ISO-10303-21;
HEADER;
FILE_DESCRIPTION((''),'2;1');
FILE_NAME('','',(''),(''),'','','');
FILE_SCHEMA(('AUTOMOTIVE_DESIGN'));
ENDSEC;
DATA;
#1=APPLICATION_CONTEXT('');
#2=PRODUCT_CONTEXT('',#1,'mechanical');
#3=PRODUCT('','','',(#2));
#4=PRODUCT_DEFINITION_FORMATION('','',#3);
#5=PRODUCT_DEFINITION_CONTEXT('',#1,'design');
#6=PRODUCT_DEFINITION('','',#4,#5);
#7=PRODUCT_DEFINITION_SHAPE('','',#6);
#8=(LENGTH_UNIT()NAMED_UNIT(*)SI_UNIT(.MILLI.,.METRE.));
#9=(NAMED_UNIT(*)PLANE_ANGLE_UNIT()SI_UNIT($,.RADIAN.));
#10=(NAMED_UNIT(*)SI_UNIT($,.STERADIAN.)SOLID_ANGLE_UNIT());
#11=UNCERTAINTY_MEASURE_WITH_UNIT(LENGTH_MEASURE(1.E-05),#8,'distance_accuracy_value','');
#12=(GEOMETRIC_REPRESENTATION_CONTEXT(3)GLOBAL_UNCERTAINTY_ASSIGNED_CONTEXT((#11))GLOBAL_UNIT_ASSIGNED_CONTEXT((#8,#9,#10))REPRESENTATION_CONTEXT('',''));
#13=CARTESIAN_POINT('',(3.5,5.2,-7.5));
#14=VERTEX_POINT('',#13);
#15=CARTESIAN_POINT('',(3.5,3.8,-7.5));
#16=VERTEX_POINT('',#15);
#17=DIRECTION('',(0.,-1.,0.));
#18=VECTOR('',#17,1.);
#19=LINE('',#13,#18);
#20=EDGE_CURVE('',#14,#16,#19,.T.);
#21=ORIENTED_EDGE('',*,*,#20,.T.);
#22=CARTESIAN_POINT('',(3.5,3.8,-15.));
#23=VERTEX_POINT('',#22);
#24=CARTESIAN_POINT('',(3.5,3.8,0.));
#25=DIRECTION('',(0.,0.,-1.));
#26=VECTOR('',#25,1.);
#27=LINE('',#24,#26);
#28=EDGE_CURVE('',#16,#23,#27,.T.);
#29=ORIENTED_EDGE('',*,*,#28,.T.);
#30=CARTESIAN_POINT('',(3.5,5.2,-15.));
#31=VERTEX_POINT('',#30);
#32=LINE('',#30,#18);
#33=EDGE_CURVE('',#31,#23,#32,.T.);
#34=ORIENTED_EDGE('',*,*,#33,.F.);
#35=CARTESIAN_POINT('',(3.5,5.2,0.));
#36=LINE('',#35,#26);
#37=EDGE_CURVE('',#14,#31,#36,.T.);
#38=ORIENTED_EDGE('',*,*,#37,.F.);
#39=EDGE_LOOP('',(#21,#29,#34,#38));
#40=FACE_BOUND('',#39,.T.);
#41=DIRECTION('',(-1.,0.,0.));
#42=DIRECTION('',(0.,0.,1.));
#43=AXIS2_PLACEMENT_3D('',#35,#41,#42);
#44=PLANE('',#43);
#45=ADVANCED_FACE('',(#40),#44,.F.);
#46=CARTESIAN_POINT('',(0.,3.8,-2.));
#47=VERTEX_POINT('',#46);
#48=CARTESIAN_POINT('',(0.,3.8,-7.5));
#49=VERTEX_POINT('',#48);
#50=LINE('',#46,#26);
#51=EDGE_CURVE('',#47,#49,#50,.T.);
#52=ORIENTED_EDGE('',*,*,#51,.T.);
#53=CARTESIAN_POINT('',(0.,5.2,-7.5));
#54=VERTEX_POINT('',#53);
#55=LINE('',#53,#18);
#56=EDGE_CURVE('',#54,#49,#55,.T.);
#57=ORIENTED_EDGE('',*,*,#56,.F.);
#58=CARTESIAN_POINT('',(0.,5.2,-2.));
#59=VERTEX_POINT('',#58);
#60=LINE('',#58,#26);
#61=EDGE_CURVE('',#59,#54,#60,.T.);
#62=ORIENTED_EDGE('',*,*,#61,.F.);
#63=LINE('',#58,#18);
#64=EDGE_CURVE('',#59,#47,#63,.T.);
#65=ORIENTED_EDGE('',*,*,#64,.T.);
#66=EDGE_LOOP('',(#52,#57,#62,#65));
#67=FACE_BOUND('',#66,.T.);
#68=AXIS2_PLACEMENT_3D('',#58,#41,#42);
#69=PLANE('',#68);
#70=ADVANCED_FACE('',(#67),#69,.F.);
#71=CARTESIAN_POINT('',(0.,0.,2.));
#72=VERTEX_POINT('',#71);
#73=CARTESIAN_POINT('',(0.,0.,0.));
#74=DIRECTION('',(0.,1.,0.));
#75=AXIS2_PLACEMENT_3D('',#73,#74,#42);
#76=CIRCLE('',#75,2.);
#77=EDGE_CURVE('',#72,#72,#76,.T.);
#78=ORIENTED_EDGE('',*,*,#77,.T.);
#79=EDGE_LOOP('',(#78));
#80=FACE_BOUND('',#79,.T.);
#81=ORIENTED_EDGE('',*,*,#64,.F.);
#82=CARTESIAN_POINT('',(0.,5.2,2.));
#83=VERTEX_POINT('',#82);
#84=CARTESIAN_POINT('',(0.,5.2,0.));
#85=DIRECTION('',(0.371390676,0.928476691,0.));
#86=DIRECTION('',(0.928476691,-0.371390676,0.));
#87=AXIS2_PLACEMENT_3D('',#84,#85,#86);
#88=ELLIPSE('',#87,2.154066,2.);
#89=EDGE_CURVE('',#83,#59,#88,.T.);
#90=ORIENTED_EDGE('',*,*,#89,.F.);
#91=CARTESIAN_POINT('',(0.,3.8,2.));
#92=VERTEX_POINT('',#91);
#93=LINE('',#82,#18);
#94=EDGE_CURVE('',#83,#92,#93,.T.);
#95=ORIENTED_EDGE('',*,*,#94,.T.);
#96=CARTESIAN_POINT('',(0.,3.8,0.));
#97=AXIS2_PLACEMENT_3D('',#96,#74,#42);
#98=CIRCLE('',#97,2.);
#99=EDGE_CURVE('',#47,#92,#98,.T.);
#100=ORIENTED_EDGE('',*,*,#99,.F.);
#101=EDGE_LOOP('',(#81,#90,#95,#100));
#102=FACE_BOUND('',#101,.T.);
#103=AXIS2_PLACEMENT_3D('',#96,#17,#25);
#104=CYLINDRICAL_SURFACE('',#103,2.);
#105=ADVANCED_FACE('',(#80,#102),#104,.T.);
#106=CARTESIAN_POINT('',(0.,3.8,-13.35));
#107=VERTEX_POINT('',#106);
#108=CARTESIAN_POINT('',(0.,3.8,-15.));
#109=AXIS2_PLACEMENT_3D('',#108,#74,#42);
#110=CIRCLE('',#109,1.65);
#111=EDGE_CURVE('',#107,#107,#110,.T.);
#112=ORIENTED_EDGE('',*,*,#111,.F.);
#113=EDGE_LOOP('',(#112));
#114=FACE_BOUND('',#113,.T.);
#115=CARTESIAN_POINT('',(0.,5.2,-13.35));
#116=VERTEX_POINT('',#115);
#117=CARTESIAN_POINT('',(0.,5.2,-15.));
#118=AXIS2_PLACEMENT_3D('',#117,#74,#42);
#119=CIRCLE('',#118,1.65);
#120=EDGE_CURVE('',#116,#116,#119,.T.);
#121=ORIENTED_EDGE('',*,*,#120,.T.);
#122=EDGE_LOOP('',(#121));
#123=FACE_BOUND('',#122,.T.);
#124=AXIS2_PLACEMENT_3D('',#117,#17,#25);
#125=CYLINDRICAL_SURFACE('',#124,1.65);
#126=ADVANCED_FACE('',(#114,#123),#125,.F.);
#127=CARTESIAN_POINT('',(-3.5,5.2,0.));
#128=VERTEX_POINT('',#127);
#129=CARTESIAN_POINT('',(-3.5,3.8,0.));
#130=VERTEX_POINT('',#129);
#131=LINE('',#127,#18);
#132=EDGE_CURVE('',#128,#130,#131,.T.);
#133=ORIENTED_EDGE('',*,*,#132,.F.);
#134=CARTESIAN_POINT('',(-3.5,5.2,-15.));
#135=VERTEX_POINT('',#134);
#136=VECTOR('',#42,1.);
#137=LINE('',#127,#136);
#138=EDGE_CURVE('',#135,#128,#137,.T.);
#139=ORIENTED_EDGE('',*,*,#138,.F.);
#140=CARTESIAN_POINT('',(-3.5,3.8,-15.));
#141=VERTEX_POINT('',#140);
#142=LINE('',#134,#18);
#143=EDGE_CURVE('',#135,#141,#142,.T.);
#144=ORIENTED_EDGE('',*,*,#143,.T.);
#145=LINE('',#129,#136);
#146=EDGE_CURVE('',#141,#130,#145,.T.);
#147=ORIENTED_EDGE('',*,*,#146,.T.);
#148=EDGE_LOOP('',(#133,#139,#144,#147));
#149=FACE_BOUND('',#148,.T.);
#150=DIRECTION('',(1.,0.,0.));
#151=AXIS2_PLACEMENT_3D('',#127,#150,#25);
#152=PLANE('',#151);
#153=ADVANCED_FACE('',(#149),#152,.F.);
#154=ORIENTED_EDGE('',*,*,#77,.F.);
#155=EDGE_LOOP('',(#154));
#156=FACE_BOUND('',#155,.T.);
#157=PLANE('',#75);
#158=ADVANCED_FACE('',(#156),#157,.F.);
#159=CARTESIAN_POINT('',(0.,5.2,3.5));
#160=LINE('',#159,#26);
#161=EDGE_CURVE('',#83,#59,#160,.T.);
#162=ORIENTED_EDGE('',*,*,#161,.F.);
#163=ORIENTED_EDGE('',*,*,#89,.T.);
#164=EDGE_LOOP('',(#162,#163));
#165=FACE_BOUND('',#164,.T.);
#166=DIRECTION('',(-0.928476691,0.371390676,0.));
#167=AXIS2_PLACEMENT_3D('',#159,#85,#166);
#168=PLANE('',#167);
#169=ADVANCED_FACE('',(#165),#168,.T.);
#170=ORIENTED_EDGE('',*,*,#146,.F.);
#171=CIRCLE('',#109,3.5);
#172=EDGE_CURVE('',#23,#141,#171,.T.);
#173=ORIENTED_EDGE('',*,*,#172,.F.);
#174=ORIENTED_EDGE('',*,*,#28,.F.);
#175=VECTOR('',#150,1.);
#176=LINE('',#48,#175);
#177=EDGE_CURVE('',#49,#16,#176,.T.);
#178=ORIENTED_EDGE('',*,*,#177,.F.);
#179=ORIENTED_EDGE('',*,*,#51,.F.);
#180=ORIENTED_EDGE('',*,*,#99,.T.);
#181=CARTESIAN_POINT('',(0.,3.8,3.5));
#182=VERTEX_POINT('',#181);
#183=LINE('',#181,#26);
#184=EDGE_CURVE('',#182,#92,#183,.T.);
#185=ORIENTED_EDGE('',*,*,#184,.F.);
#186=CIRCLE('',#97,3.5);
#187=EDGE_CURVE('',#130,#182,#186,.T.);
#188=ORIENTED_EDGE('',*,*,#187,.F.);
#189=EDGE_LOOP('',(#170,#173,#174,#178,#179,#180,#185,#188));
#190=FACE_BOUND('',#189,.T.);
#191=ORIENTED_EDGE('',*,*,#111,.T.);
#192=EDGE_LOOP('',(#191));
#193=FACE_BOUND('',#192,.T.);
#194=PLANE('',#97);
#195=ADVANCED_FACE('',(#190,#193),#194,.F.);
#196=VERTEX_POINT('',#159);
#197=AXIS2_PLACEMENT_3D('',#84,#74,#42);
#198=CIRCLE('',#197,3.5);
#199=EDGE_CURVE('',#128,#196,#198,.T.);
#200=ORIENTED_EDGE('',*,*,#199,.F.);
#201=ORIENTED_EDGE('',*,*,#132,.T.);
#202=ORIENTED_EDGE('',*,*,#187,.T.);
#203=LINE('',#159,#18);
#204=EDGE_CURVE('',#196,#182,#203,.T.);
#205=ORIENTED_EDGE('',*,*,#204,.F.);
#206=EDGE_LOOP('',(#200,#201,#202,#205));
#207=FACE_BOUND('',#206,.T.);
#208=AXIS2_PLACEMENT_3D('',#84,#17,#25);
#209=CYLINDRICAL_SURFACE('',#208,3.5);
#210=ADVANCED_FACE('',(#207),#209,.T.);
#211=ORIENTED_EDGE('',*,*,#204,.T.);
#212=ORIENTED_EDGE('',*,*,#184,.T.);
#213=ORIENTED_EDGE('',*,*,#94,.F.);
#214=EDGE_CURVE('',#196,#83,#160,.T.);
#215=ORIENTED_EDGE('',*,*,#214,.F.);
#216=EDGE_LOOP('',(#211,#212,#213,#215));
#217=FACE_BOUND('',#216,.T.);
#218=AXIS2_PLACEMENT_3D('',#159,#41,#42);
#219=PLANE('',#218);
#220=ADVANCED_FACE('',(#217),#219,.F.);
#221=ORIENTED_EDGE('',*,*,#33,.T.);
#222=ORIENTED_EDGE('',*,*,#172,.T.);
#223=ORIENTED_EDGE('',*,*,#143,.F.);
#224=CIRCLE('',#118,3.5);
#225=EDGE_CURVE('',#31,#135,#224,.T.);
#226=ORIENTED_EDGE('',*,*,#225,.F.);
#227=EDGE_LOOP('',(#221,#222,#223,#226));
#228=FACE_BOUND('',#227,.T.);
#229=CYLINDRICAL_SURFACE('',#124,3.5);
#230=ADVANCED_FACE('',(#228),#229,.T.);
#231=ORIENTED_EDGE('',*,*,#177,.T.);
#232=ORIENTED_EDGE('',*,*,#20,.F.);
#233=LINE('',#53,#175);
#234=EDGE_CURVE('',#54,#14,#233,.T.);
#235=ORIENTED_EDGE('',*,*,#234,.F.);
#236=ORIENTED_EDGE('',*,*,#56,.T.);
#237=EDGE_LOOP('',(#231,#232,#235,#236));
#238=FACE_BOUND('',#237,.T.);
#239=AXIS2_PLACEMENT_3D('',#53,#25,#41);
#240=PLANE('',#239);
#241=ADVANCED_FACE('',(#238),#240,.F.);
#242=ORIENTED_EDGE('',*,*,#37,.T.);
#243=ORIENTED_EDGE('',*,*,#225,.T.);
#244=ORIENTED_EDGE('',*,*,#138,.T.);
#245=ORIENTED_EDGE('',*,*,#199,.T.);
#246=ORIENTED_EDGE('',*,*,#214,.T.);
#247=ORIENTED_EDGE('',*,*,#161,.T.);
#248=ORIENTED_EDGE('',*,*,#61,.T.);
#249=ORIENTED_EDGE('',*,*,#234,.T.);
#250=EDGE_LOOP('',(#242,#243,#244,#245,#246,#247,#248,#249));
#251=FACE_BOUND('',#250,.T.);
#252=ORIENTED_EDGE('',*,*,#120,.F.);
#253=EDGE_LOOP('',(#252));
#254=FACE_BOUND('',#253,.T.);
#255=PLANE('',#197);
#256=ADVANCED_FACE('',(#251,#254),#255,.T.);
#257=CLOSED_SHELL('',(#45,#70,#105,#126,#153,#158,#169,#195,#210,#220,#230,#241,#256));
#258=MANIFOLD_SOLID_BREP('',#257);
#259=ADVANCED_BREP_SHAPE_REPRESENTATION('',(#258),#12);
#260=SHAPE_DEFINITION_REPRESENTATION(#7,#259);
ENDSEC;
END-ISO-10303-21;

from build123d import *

# Parameters (mm, degrees)
SKETCH_1_R          = 2
EXTRUDE_1_DEPTH     = 3.8
SKETCH_2_R          = 1.65
EXTRUDE_2_DEPTH     = 1.4
CUT_EXTRUDE_1_DEPTH = 20.207810911
CUT_EXTRUDE_2_DEPTH = 13.660568708


with BuildPart() as part:
    # 草图1 → 凸台-拉伸1 (new body)
    with BuildSketch(Plane(origin=(0, 0, 0), x_dir=(1, 0, 0), z_dir=(0, 1, 0))):
        with Locations(Location((0, 0, 0), (0, 0, 90))):
            Circle(SKETCH_1_R)
    extrude(amount=EXTRUDE_1_DEPTH)

    # 草图2 → 凸台-拉伸2 (add)
    with BuildSketch(Plane(origin=(0, 3.8, 0), x_dir=(1, 0, 0), z_dir=(0, 1, 0))):
        with BuildLine():
            Line((-3.5, 0), (-3.5, 15))
            ThreePointArc((-3.5, 15), (0, 18.5), (3.5, 15))
            Line((3.5, 15), (3.5, 0))
            ThreePointArc((3.5, 0), (0, -3.5), (-3.5, 0))
        make_face()
        with Locations(Location((0, 15, 0), (0, 0, 270))):
            Circle(SKETCH_2_R, mode=Mode.SUBTRACT)
    extrude(amount=EXTRUDE_2_DEPTH)

    # 草图3 → 切除-拉伸1 (cut, through all)
    with BuildSketch(Plane.XZ.offset(-3.8)):
        with BuildLine():
            Line((0, 3.5), (0, 2))
            ThreePointArc((0, 2), (2, 0), (0, -2))
            Line((0, -2), (0, -7.5))
            Line((0, -7.5), (3.5, -7.5))
            Line((3.5, -7.5), (3.5, 0))
            ThreePointArc((3.5, 0), (2.474873734, 2.474873734), (0, 3.5))
        make_face()
    extrude(amount=-CUT_EXTRUDE_1_DEPTH, mode=Mode.SUBTRACT)

    # 草图4 → 切除-拉伸2 (cut, through all)
    with BuildSketch(Plane.XY.offset(-7.5)):
        Polygon((0, 5.2), (3.5, 3.8), (3.5, 5.2), align=None)
    extrude(amount=CUT_EXTRUDE_2_DEPTH, mode=Mode.SUBTRACT)


solid = part.part
